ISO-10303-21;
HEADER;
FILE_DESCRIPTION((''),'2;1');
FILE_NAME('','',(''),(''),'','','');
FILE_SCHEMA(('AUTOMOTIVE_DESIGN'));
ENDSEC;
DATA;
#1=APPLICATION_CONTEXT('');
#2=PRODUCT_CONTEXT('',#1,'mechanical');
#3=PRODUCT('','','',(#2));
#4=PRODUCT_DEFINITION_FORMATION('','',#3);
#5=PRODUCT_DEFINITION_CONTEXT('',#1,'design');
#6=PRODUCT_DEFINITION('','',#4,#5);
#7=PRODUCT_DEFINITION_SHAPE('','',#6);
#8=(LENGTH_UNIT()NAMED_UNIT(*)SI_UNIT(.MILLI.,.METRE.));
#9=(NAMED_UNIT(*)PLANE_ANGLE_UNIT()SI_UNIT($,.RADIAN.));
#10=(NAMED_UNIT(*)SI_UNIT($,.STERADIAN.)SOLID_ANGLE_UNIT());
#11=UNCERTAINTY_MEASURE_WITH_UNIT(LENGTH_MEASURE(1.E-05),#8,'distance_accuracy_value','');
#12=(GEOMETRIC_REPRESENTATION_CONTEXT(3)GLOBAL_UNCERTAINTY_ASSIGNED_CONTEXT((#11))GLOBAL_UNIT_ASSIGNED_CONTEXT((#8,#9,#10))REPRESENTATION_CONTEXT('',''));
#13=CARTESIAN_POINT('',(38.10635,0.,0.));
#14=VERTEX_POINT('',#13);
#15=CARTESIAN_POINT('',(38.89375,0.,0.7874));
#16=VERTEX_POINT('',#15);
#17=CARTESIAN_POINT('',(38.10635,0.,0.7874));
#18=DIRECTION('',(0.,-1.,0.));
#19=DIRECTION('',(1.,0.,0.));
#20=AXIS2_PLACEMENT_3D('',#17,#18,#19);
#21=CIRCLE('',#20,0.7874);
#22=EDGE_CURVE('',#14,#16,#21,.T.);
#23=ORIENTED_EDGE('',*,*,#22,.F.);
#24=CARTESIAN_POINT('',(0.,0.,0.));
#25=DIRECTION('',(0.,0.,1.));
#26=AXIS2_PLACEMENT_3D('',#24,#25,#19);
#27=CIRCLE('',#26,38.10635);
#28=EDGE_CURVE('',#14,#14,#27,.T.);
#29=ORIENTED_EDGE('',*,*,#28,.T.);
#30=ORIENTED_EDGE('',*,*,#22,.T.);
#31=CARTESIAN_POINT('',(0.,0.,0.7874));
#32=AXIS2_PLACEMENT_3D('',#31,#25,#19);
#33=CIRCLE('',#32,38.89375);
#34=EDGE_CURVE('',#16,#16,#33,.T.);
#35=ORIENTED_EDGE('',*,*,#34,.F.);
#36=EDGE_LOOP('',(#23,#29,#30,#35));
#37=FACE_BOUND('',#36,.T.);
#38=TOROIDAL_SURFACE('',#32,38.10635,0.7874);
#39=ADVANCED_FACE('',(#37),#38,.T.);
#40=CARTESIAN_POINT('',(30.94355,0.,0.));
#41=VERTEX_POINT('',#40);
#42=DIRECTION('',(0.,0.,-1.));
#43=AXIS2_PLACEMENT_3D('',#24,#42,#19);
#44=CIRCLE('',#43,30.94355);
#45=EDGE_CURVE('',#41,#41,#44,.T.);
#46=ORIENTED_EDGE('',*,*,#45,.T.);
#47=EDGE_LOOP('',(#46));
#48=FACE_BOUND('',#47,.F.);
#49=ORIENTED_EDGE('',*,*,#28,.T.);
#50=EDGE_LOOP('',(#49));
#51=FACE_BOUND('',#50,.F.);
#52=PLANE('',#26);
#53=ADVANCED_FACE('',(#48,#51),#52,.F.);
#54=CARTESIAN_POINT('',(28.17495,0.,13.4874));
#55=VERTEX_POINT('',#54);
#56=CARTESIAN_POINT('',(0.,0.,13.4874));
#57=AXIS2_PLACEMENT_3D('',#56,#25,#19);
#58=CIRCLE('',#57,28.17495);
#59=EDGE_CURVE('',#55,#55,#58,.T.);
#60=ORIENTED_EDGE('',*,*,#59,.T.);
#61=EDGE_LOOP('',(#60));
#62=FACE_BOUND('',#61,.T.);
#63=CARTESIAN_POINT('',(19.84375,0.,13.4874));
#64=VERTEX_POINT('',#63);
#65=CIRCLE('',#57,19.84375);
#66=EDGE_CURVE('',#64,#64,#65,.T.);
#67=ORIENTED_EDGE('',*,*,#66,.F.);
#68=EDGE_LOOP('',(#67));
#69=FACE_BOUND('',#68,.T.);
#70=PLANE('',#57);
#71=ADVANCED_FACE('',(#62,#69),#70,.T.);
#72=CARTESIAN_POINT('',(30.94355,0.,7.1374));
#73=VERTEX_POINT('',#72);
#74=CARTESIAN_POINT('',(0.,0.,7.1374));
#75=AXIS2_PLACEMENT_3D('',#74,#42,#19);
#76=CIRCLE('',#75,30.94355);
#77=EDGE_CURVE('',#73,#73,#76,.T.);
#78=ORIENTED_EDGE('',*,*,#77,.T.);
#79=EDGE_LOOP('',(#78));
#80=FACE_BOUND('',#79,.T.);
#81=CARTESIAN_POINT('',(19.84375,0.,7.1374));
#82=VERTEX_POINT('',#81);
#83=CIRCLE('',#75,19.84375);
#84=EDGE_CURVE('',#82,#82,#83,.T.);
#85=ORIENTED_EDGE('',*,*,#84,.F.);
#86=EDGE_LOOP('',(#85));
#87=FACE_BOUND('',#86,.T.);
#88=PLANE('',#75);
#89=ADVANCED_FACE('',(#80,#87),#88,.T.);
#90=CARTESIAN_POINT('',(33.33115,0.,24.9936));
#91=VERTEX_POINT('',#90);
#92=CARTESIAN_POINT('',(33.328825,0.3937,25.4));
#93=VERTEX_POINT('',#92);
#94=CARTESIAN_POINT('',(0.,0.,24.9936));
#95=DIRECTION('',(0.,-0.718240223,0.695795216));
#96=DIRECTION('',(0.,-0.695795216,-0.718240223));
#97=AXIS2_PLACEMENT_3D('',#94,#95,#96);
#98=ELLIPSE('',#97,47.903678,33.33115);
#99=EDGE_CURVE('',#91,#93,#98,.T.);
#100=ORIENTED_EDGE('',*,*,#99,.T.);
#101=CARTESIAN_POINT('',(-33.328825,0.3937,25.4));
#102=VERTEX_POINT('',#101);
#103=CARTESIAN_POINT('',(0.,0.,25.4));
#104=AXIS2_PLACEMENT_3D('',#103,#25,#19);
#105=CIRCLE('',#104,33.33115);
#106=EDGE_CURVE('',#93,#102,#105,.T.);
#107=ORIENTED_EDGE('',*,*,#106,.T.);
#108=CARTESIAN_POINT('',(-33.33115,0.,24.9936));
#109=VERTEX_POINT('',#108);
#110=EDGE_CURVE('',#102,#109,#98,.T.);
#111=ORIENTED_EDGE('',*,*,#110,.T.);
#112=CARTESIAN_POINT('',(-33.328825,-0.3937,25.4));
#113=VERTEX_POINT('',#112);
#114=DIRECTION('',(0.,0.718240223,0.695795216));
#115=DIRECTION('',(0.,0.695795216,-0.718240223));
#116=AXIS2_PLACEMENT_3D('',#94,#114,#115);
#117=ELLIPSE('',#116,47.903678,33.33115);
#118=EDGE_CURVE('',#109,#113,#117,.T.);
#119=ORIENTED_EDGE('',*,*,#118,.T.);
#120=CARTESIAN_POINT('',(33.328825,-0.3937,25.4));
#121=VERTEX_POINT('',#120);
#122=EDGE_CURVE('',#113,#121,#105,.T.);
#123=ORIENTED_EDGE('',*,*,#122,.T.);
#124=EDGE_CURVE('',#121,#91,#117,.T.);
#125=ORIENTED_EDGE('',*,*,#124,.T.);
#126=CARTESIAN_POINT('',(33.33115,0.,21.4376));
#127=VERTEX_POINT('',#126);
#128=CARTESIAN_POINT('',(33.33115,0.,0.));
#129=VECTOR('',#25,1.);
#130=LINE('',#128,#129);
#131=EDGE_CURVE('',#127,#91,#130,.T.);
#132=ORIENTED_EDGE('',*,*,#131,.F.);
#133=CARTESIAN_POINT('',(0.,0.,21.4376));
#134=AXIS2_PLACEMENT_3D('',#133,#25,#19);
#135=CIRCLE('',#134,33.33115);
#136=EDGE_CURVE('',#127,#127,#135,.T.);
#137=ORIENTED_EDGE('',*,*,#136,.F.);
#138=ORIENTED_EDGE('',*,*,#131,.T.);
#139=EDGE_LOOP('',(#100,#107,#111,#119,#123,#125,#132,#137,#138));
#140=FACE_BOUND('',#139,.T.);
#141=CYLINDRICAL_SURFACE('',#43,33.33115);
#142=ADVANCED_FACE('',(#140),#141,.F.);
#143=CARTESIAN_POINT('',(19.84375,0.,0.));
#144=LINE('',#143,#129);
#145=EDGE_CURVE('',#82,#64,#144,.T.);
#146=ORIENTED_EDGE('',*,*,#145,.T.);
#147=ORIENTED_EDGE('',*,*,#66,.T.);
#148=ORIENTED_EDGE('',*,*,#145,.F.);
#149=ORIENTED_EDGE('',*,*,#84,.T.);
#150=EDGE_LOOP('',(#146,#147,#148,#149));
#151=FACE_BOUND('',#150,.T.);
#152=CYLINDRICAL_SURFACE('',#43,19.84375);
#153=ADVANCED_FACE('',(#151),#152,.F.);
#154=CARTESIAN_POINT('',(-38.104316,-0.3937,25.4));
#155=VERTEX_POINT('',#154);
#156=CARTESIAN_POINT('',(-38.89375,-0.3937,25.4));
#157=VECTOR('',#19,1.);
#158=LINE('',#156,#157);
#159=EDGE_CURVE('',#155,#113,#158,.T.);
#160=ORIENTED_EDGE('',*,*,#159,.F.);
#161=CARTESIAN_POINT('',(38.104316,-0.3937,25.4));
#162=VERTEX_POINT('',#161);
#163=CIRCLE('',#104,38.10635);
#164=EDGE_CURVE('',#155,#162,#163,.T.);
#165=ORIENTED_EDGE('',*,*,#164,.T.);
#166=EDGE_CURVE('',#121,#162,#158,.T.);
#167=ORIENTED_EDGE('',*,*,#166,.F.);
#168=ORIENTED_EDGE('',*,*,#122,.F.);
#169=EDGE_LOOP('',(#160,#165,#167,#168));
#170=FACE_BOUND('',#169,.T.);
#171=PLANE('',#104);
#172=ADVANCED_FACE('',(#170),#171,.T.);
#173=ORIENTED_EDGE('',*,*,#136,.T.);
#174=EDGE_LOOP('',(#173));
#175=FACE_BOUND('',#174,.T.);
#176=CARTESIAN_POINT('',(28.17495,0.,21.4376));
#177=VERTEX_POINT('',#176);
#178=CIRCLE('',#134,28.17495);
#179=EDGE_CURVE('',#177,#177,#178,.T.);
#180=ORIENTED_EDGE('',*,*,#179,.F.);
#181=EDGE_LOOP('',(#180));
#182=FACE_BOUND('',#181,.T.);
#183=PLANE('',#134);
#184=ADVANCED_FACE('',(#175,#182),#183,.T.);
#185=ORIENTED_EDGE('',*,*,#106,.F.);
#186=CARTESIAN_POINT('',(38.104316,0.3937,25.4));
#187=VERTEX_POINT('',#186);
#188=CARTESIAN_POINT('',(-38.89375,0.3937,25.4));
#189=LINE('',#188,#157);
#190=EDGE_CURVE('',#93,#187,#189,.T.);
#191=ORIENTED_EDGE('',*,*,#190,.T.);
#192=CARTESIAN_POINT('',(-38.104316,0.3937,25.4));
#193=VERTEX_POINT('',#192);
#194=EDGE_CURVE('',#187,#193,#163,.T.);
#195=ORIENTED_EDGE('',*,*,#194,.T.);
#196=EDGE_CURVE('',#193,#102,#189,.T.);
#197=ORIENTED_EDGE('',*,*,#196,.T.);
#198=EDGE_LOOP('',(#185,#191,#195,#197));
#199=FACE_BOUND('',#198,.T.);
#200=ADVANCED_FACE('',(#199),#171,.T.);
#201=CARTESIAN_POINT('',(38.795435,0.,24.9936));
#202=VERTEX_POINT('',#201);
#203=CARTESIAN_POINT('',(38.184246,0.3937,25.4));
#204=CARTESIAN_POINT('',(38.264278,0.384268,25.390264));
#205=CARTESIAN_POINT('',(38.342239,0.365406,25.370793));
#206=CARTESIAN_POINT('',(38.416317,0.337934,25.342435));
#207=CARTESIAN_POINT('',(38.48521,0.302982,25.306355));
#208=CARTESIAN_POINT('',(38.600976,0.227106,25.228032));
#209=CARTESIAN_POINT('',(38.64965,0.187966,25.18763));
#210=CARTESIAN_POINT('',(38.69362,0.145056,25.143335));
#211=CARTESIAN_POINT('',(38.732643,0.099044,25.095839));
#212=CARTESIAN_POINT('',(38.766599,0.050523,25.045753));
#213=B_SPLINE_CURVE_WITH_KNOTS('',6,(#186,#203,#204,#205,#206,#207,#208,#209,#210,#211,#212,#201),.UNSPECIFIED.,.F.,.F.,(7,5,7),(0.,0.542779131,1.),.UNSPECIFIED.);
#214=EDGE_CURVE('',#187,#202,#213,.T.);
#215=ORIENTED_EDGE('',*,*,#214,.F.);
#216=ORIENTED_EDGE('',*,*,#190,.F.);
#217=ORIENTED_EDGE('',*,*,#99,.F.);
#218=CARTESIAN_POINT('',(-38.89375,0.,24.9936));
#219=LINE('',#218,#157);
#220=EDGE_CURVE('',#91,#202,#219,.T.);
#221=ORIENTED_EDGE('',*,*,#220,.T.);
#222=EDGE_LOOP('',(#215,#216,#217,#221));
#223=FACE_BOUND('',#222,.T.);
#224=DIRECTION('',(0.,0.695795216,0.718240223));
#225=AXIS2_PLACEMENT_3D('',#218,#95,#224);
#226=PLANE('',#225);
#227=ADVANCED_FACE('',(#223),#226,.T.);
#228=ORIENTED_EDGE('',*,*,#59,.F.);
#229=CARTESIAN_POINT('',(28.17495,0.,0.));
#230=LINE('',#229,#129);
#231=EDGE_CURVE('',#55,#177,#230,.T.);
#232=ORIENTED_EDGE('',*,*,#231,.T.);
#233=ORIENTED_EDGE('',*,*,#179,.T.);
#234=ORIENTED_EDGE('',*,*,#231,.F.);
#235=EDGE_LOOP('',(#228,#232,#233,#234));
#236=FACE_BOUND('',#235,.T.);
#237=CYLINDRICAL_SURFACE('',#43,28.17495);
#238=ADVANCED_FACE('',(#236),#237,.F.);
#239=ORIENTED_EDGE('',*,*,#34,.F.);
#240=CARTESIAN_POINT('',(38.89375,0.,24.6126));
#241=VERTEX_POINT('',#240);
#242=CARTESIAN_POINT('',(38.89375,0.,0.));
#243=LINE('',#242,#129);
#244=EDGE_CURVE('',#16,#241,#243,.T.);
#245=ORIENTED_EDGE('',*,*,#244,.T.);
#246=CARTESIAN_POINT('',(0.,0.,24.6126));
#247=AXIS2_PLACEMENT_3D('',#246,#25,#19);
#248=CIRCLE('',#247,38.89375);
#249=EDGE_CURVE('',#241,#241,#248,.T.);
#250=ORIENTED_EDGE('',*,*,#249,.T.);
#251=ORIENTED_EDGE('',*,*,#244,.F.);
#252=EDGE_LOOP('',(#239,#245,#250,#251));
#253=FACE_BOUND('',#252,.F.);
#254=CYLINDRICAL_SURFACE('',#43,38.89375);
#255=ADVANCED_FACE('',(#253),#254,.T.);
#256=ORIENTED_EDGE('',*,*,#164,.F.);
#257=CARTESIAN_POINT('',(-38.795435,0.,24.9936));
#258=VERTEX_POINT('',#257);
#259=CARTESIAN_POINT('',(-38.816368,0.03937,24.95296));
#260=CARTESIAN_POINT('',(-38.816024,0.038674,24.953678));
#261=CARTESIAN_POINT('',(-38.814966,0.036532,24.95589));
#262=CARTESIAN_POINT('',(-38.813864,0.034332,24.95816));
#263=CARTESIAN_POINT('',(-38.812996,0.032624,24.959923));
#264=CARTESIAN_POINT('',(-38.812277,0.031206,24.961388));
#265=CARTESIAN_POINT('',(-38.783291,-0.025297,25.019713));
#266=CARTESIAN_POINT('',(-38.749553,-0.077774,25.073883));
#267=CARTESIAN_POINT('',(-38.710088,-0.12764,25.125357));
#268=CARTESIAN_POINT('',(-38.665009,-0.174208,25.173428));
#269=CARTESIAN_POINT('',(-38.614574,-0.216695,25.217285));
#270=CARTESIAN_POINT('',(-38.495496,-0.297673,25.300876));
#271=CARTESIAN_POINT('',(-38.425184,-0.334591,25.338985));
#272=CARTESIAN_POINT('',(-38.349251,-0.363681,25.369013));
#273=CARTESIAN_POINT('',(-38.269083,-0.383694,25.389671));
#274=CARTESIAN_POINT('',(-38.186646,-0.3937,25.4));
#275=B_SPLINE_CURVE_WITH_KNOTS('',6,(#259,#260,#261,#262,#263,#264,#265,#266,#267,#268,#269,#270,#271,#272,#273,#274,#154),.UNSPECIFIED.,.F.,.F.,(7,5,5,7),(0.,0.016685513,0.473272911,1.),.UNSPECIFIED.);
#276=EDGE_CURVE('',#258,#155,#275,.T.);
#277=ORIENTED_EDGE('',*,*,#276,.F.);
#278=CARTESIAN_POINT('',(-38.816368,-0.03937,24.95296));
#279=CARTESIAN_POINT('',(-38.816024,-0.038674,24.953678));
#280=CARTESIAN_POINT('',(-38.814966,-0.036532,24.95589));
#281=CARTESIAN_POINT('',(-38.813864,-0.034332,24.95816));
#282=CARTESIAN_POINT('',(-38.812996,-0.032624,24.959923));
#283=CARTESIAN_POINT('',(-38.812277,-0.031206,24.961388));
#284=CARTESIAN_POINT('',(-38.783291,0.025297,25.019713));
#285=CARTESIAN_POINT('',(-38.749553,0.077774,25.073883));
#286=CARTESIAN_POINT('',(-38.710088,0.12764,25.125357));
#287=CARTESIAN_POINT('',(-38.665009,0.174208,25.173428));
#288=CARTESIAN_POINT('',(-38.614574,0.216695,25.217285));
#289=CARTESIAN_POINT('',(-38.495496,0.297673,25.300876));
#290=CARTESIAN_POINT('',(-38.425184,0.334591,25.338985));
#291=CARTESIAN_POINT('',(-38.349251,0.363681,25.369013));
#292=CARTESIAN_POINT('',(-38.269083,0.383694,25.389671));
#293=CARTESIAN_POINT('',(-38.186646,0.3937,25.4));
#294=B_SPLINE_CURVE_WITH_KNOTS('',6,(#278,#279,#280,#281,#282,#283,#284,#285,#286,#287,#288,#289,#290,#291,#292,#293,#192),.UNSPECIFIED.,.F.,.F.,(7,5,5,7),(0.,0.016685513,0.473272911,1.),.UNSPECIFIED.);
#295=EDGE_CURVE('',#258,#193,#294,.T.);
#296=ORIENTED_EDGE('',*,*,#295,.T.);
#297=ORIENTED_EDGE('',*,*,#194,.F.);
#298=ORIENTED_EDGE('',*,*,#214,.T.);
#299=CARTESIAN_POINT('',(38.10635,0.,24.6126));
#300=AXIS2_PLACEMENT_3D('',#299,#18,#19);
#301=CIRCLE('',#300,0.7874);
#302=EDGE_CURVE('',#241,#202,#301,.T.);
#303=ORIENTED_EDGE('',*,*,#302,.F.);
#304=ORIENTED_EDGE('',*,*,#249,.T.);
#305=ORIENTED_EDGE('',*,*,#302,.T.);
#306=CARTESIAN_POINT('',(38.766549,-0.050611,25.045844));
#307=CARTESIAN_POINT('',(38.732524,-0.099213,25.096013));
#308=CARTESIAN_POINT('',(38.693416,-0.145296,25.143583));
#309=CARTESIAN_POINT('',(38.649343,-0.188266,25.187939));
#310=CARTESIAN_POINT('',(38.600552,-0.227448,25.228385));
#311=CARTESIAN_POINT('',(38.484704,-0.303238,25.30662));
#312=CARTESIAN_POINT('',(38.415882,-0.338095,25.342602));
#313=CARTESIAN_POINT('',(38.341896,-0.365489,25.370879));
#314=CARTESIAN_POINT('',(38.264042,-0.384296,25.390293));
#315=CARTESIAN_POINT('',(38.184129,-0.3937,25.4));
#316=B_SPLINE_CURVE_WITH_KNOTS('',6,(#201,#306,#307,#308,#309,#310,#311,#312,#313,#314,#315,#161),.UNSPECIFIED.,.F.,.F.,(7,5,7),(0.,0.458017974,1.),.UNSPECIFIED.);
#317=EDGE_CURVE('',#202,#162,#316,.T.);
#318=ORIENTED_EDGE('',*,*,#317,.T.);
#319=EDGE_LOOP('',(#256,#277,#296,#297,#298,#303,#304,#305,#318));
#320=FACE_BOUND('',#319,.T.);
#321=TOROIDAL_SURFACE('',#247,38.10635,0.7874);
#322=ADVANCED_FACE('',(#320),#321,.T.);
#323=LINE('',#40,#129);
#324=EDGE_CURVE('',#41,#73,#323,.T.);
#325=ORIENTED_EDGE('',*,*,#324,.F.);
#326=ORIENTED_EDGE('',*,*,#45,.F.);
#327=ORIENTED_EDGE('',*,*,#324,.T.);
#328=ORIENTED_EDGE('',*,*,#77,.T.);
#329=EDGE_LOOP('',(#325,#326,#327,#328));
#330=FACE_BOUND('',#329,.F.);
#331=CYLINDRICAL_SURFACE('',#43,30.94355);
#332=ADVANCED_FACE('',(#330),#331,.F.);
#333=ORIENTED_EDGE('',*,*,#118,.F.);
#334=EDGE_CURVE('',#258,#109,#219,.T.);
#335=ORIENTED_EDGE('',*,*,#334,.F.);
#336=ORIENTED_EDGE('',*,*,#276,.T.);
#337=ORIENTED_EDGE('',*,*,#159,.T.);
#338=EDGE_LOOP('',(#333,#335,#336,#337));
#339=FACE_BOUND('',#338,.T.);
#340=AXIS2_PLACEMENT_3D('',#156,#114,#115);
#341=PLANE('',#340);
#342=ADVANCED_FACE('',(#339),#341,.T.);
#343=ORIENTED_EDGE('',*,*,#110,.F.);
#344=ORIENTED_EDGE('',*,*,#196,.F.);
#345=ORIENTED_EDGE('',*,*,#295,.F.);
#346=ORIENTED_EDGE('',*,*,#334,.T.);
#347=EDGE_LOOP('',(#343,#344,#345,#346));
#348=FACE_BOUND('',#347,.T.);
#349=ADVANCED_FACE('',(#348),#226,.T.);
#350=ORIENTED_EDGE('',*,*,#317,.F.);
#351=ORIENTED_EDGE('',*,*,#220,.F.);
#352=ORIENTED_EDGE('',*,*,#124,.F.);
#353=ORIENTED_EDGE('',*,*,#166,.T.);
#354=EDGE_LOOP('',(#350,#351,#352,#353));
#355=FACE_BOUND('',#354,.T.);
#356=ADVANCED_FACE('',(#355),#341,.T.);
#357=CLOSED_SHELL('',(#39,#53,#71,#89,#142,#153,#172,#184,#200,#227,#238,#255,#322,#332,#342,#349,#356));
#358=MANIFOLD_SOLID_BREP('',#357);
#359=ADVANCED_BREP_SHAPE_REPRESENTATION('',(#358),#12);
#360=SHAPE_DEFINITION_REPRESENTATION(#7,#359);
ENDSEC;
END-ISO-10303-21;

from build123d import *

# Parameters (mm, degrees)
F0_R     = 38.89375
F0_R_2   = 33.33115
F1_DEPTH = 25.4
F0_R_3   = 28.17495
F2_DEPTH = 21.4376
F0_R_4   = 19.84375
F3_DEPTH = 13.4874
F4_R     = 30.94355
F4_R_2   = 19.84375
F5_DEPTH = 7.1374
F6_R     = 0.7874
F9_DEPTH = 127


with BuildPart() as f1:
    # F0 (on Top) → F1 (new body)
    with BuildSketch(Plane.XY):
        Circle(F0_R)
        Circle(F0_R_2, mode=Mode.SUBTRACT)
    extrude(amount=F1_DEPTH)

    # F0 (on Top) → F2 (join, through all)
    with BuildSketch(Plane.XY):
        Circle(F0_R_2)
        Circle(F0_R_3, mode=Mode.SUBTRACT)
    extrude(amount=F2_DEPTH)

    # F0 (on Top) → F3 (join, through all)
    with BuildSketch(Plane.XY):
        Circle(F0_R_3)
        Circle(F0_R_4, mode=Mode.SUBTRACT)
    extrude(amount=F3_DEPTH)

    # F4 (on face) → F5 (cut, through all)
    with BuildSketch(Plane(origin=(0, 0, 0), x_dir=(1, 0, 0), z_dir=(0, 0, -1))):
        Circle(F4_R)
        Circle(F4_R_2, mode=Mode.SUBTRACT)
    extrude(amount=-F5_DEPTH, mode=Mode.SUBTRACT)

    # F6
    f6_edges = [f1.edges().sort_by_distance(p)[0] for p in [
        (-38.89375, 0, 25.4),
        (-38.89375, 0, 0),
    ]]
    fillet(f6_edges, radius=F6_R)

    # F8 (on offset) → F9 (cut)
    with BuildSketch(Plane.YZ.offset(-38.89375)):
        Polygon((0, 24.9936), (0.3937, 25.4), (-0.3937, 25.4), align=None)
    extrude(amount=F9_DEPTH, mode=Mode.SUBTRACT)


solid = f1.part
